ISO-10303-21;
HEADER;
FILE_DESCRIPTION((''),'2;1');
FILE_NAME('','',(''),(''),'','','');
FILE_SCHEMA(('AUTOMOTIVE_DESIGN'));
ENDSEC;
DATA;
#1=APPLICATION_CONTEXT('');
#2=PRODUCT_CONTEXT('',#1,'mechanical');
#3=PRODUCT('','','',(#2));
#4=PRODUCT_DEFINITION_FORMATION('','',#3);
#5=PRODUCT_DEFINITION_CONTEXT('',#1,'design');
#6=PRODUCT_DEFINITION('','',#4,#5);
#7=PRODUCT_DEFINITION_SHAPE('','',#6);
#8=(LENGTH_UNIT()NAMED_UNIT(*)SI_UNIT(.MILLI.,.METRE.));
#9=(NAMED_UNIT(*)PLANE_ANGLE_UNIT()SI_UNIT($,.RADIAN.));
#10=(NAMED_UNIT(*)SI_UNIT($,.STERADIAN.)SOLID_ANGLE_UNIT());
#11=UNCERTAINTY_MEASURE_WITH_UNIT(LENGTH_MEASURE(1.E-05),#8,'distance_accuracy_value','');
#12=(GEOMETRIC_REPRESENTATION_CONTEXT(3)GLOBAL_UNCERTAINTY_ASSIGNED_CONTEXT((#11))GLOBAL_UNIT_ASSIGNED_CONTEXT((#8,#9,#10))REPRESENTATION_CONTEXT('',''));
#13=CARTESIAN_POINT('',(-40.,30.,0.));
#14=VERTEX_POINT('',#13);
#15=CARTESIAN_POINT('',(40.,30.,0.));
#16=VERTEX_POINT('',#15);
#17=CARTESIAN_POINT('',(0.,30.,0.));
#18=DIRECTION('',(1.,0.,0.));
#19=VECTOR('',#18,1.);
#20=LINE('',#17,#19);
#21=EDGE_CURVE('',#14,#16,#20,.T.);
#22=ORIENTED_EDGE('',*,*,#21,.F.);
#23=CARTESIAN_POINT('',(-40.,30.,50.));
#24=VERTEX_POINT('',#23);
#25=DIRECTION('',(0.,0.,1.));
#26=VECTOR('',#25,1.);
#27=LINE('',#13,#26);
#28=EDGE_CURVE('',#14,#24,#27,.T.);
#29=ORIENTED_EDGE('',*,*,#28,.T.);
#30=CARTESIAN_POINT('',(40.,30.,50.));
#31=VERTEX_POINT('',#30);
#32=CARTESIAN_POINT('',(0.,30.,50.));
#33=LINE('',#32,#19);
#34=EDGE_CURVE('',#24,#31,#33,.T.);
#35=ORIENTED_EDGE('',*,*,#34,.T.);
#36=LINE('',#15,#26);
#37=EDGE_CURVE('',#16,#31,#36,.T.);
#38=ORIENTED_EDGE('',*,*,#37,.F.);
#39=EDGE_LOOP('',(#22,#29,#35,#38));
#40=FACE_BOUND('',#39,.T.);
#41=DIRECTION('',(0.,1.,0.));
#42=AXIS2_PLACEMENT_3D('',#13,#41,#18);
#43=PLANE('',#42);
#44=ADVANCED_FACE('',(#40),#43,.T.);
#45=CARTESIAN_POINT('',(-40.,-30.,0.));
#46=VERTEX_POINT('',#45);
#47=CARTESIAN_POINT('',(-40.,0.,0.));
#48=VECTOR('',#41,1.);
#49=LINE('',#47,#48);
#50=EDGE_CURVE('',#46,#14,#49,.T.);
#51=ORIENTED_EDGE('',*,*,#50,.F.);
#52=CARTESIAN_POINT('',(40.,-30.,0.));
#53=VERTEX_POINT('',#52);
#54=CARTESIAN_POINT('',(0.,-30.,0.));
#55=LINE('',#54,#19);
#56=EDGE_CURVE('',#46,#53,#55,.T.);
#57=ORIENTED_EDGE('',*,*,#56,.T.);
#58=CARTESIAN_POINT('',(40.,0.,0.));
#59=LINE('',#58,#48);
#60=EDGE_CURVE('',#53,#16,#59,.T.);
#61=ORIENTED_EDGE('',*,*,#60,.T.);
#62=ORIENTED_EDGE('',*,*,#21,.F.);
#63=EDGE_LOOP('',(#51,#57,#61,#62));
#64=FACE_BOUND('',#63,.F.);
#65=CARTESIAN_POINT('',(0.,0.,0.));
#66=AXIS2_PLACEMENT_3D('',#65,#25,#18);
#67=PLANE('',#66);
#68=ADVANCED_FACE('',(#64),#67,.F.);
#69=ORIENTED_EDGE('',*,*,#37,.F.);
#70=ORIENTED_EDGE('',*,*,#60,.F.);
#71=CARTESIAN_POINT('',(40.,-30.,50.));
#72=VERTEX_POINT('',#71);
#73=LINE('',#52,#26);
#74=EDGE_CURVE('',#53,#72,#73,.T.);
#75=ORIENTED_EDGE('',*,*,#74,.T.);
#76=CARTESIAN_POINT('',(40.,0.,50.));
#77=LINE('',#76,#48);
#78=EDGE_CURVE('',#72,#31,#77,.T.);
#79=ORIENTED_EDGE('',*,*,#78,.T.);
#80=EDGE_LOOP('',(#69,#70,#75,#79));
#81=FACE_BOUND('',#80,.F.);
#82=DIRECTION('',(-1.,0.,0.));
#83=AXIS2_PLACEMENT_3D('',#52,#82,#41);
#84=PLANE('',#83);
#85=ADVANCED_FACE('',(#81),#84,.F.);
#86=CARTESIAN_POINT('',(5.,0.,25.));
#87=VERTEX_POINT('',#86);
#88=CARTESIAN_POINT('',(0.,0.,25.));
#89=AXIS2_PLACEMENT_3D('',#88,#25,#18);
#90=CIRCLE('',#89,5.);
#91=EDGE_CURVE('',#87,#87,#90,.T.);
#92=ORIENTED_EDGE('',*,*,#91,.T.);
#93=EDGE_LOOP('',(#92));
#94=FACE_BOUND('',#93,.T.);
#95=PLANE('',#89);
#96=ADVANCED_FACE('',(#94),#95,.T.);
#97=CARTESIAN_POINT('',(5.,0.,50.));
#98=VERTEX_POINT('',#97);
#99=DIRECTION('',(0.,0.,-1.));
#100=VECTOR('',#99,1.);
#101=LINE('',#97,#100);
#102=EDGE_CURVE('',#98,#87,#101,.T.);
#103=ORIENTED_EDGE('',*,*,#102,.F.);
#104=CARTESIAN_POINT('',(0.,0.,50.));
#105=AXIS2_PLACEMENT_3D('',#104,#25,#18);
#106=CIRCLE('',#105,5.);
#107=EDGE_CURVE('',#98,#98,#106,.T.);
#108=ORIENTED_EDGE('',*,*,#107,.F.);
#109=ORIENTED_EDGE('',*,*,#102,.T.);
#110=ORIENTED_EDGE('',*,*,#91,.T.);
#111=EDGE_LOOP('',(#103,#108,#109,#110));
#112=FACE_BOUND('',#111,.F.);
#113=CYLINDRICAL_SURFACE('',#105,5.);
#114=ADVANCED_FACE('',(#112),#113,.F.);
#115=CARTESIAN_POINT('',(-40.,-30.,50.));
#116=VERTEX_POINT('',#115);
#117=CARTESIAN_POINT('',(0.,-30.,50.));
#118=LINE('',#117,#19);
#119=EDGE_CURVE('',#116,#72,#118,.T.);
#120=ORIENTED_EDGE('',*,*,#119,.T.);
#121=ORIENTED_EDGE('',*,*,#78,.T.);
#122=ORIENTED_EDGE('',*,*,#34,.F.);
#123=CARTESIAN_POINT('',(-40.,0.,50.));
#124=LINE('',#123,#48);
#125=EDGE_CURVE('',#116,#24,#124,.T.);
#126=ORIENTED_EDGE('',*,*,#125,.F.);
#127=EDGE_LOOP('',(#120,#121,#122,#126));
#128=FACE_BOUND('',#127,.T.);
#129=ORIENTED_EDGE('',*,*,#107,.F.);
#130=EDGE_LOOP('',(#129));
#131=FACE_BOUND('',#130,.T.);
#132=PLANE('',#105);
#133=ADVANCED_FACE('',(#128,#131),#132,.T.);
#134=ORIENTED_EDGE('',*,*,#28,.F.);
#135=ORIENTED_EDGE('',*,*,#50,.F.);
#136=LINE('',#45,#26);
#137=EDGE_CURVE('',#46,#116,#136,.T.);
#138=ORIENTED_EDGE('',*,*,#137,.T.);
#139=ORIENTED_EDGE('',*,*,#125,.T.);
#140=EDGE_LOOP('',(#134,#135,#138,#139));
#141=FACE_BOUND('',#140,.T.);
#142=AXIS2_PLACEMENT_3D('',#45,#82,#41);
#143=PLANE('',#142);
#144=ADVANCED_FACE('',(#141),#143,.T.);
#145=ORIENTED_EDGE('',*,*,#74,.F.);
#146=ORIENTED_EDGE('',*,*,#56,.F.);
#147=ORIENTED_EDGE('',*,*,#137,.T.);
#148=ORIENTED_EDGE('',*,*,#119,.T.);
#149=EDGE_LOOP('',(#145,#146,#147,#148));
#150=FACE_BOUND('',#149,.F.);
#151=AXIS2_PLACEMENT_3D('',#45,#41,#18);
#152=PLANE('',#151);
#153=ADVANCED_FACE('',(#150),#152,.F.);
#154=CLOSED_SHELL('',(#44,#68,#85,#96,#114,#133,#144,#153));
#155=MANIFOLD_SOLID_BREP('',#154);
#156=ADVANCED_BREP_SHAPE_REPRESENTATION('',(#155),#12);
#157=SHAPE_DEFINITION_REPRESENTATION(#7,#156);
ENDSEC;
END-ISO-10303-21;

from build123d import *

# Parameters (mm, degrees)
F0_W     = 80
F0_H     = 60
F1_DEPTH = 50
F2_R     = 5
F3_DEPTH = 25


with BuildPart() as f1:
    # F0 (on Top) → F1 (new body)
    with BuildSketch(Plane.XY):
        Rectangle(F0_W, F0_H)
    extrude(amount=F1_DEPTH)

    # F2 (on face) → F3 (cut)
    with BuildSketch(Plane.XY.offset(50)):
        Circle(F2_R)
    extrude(amount=-F3_DEPTH, mode=Mode.SUBTRACT)


solid = f1.part
